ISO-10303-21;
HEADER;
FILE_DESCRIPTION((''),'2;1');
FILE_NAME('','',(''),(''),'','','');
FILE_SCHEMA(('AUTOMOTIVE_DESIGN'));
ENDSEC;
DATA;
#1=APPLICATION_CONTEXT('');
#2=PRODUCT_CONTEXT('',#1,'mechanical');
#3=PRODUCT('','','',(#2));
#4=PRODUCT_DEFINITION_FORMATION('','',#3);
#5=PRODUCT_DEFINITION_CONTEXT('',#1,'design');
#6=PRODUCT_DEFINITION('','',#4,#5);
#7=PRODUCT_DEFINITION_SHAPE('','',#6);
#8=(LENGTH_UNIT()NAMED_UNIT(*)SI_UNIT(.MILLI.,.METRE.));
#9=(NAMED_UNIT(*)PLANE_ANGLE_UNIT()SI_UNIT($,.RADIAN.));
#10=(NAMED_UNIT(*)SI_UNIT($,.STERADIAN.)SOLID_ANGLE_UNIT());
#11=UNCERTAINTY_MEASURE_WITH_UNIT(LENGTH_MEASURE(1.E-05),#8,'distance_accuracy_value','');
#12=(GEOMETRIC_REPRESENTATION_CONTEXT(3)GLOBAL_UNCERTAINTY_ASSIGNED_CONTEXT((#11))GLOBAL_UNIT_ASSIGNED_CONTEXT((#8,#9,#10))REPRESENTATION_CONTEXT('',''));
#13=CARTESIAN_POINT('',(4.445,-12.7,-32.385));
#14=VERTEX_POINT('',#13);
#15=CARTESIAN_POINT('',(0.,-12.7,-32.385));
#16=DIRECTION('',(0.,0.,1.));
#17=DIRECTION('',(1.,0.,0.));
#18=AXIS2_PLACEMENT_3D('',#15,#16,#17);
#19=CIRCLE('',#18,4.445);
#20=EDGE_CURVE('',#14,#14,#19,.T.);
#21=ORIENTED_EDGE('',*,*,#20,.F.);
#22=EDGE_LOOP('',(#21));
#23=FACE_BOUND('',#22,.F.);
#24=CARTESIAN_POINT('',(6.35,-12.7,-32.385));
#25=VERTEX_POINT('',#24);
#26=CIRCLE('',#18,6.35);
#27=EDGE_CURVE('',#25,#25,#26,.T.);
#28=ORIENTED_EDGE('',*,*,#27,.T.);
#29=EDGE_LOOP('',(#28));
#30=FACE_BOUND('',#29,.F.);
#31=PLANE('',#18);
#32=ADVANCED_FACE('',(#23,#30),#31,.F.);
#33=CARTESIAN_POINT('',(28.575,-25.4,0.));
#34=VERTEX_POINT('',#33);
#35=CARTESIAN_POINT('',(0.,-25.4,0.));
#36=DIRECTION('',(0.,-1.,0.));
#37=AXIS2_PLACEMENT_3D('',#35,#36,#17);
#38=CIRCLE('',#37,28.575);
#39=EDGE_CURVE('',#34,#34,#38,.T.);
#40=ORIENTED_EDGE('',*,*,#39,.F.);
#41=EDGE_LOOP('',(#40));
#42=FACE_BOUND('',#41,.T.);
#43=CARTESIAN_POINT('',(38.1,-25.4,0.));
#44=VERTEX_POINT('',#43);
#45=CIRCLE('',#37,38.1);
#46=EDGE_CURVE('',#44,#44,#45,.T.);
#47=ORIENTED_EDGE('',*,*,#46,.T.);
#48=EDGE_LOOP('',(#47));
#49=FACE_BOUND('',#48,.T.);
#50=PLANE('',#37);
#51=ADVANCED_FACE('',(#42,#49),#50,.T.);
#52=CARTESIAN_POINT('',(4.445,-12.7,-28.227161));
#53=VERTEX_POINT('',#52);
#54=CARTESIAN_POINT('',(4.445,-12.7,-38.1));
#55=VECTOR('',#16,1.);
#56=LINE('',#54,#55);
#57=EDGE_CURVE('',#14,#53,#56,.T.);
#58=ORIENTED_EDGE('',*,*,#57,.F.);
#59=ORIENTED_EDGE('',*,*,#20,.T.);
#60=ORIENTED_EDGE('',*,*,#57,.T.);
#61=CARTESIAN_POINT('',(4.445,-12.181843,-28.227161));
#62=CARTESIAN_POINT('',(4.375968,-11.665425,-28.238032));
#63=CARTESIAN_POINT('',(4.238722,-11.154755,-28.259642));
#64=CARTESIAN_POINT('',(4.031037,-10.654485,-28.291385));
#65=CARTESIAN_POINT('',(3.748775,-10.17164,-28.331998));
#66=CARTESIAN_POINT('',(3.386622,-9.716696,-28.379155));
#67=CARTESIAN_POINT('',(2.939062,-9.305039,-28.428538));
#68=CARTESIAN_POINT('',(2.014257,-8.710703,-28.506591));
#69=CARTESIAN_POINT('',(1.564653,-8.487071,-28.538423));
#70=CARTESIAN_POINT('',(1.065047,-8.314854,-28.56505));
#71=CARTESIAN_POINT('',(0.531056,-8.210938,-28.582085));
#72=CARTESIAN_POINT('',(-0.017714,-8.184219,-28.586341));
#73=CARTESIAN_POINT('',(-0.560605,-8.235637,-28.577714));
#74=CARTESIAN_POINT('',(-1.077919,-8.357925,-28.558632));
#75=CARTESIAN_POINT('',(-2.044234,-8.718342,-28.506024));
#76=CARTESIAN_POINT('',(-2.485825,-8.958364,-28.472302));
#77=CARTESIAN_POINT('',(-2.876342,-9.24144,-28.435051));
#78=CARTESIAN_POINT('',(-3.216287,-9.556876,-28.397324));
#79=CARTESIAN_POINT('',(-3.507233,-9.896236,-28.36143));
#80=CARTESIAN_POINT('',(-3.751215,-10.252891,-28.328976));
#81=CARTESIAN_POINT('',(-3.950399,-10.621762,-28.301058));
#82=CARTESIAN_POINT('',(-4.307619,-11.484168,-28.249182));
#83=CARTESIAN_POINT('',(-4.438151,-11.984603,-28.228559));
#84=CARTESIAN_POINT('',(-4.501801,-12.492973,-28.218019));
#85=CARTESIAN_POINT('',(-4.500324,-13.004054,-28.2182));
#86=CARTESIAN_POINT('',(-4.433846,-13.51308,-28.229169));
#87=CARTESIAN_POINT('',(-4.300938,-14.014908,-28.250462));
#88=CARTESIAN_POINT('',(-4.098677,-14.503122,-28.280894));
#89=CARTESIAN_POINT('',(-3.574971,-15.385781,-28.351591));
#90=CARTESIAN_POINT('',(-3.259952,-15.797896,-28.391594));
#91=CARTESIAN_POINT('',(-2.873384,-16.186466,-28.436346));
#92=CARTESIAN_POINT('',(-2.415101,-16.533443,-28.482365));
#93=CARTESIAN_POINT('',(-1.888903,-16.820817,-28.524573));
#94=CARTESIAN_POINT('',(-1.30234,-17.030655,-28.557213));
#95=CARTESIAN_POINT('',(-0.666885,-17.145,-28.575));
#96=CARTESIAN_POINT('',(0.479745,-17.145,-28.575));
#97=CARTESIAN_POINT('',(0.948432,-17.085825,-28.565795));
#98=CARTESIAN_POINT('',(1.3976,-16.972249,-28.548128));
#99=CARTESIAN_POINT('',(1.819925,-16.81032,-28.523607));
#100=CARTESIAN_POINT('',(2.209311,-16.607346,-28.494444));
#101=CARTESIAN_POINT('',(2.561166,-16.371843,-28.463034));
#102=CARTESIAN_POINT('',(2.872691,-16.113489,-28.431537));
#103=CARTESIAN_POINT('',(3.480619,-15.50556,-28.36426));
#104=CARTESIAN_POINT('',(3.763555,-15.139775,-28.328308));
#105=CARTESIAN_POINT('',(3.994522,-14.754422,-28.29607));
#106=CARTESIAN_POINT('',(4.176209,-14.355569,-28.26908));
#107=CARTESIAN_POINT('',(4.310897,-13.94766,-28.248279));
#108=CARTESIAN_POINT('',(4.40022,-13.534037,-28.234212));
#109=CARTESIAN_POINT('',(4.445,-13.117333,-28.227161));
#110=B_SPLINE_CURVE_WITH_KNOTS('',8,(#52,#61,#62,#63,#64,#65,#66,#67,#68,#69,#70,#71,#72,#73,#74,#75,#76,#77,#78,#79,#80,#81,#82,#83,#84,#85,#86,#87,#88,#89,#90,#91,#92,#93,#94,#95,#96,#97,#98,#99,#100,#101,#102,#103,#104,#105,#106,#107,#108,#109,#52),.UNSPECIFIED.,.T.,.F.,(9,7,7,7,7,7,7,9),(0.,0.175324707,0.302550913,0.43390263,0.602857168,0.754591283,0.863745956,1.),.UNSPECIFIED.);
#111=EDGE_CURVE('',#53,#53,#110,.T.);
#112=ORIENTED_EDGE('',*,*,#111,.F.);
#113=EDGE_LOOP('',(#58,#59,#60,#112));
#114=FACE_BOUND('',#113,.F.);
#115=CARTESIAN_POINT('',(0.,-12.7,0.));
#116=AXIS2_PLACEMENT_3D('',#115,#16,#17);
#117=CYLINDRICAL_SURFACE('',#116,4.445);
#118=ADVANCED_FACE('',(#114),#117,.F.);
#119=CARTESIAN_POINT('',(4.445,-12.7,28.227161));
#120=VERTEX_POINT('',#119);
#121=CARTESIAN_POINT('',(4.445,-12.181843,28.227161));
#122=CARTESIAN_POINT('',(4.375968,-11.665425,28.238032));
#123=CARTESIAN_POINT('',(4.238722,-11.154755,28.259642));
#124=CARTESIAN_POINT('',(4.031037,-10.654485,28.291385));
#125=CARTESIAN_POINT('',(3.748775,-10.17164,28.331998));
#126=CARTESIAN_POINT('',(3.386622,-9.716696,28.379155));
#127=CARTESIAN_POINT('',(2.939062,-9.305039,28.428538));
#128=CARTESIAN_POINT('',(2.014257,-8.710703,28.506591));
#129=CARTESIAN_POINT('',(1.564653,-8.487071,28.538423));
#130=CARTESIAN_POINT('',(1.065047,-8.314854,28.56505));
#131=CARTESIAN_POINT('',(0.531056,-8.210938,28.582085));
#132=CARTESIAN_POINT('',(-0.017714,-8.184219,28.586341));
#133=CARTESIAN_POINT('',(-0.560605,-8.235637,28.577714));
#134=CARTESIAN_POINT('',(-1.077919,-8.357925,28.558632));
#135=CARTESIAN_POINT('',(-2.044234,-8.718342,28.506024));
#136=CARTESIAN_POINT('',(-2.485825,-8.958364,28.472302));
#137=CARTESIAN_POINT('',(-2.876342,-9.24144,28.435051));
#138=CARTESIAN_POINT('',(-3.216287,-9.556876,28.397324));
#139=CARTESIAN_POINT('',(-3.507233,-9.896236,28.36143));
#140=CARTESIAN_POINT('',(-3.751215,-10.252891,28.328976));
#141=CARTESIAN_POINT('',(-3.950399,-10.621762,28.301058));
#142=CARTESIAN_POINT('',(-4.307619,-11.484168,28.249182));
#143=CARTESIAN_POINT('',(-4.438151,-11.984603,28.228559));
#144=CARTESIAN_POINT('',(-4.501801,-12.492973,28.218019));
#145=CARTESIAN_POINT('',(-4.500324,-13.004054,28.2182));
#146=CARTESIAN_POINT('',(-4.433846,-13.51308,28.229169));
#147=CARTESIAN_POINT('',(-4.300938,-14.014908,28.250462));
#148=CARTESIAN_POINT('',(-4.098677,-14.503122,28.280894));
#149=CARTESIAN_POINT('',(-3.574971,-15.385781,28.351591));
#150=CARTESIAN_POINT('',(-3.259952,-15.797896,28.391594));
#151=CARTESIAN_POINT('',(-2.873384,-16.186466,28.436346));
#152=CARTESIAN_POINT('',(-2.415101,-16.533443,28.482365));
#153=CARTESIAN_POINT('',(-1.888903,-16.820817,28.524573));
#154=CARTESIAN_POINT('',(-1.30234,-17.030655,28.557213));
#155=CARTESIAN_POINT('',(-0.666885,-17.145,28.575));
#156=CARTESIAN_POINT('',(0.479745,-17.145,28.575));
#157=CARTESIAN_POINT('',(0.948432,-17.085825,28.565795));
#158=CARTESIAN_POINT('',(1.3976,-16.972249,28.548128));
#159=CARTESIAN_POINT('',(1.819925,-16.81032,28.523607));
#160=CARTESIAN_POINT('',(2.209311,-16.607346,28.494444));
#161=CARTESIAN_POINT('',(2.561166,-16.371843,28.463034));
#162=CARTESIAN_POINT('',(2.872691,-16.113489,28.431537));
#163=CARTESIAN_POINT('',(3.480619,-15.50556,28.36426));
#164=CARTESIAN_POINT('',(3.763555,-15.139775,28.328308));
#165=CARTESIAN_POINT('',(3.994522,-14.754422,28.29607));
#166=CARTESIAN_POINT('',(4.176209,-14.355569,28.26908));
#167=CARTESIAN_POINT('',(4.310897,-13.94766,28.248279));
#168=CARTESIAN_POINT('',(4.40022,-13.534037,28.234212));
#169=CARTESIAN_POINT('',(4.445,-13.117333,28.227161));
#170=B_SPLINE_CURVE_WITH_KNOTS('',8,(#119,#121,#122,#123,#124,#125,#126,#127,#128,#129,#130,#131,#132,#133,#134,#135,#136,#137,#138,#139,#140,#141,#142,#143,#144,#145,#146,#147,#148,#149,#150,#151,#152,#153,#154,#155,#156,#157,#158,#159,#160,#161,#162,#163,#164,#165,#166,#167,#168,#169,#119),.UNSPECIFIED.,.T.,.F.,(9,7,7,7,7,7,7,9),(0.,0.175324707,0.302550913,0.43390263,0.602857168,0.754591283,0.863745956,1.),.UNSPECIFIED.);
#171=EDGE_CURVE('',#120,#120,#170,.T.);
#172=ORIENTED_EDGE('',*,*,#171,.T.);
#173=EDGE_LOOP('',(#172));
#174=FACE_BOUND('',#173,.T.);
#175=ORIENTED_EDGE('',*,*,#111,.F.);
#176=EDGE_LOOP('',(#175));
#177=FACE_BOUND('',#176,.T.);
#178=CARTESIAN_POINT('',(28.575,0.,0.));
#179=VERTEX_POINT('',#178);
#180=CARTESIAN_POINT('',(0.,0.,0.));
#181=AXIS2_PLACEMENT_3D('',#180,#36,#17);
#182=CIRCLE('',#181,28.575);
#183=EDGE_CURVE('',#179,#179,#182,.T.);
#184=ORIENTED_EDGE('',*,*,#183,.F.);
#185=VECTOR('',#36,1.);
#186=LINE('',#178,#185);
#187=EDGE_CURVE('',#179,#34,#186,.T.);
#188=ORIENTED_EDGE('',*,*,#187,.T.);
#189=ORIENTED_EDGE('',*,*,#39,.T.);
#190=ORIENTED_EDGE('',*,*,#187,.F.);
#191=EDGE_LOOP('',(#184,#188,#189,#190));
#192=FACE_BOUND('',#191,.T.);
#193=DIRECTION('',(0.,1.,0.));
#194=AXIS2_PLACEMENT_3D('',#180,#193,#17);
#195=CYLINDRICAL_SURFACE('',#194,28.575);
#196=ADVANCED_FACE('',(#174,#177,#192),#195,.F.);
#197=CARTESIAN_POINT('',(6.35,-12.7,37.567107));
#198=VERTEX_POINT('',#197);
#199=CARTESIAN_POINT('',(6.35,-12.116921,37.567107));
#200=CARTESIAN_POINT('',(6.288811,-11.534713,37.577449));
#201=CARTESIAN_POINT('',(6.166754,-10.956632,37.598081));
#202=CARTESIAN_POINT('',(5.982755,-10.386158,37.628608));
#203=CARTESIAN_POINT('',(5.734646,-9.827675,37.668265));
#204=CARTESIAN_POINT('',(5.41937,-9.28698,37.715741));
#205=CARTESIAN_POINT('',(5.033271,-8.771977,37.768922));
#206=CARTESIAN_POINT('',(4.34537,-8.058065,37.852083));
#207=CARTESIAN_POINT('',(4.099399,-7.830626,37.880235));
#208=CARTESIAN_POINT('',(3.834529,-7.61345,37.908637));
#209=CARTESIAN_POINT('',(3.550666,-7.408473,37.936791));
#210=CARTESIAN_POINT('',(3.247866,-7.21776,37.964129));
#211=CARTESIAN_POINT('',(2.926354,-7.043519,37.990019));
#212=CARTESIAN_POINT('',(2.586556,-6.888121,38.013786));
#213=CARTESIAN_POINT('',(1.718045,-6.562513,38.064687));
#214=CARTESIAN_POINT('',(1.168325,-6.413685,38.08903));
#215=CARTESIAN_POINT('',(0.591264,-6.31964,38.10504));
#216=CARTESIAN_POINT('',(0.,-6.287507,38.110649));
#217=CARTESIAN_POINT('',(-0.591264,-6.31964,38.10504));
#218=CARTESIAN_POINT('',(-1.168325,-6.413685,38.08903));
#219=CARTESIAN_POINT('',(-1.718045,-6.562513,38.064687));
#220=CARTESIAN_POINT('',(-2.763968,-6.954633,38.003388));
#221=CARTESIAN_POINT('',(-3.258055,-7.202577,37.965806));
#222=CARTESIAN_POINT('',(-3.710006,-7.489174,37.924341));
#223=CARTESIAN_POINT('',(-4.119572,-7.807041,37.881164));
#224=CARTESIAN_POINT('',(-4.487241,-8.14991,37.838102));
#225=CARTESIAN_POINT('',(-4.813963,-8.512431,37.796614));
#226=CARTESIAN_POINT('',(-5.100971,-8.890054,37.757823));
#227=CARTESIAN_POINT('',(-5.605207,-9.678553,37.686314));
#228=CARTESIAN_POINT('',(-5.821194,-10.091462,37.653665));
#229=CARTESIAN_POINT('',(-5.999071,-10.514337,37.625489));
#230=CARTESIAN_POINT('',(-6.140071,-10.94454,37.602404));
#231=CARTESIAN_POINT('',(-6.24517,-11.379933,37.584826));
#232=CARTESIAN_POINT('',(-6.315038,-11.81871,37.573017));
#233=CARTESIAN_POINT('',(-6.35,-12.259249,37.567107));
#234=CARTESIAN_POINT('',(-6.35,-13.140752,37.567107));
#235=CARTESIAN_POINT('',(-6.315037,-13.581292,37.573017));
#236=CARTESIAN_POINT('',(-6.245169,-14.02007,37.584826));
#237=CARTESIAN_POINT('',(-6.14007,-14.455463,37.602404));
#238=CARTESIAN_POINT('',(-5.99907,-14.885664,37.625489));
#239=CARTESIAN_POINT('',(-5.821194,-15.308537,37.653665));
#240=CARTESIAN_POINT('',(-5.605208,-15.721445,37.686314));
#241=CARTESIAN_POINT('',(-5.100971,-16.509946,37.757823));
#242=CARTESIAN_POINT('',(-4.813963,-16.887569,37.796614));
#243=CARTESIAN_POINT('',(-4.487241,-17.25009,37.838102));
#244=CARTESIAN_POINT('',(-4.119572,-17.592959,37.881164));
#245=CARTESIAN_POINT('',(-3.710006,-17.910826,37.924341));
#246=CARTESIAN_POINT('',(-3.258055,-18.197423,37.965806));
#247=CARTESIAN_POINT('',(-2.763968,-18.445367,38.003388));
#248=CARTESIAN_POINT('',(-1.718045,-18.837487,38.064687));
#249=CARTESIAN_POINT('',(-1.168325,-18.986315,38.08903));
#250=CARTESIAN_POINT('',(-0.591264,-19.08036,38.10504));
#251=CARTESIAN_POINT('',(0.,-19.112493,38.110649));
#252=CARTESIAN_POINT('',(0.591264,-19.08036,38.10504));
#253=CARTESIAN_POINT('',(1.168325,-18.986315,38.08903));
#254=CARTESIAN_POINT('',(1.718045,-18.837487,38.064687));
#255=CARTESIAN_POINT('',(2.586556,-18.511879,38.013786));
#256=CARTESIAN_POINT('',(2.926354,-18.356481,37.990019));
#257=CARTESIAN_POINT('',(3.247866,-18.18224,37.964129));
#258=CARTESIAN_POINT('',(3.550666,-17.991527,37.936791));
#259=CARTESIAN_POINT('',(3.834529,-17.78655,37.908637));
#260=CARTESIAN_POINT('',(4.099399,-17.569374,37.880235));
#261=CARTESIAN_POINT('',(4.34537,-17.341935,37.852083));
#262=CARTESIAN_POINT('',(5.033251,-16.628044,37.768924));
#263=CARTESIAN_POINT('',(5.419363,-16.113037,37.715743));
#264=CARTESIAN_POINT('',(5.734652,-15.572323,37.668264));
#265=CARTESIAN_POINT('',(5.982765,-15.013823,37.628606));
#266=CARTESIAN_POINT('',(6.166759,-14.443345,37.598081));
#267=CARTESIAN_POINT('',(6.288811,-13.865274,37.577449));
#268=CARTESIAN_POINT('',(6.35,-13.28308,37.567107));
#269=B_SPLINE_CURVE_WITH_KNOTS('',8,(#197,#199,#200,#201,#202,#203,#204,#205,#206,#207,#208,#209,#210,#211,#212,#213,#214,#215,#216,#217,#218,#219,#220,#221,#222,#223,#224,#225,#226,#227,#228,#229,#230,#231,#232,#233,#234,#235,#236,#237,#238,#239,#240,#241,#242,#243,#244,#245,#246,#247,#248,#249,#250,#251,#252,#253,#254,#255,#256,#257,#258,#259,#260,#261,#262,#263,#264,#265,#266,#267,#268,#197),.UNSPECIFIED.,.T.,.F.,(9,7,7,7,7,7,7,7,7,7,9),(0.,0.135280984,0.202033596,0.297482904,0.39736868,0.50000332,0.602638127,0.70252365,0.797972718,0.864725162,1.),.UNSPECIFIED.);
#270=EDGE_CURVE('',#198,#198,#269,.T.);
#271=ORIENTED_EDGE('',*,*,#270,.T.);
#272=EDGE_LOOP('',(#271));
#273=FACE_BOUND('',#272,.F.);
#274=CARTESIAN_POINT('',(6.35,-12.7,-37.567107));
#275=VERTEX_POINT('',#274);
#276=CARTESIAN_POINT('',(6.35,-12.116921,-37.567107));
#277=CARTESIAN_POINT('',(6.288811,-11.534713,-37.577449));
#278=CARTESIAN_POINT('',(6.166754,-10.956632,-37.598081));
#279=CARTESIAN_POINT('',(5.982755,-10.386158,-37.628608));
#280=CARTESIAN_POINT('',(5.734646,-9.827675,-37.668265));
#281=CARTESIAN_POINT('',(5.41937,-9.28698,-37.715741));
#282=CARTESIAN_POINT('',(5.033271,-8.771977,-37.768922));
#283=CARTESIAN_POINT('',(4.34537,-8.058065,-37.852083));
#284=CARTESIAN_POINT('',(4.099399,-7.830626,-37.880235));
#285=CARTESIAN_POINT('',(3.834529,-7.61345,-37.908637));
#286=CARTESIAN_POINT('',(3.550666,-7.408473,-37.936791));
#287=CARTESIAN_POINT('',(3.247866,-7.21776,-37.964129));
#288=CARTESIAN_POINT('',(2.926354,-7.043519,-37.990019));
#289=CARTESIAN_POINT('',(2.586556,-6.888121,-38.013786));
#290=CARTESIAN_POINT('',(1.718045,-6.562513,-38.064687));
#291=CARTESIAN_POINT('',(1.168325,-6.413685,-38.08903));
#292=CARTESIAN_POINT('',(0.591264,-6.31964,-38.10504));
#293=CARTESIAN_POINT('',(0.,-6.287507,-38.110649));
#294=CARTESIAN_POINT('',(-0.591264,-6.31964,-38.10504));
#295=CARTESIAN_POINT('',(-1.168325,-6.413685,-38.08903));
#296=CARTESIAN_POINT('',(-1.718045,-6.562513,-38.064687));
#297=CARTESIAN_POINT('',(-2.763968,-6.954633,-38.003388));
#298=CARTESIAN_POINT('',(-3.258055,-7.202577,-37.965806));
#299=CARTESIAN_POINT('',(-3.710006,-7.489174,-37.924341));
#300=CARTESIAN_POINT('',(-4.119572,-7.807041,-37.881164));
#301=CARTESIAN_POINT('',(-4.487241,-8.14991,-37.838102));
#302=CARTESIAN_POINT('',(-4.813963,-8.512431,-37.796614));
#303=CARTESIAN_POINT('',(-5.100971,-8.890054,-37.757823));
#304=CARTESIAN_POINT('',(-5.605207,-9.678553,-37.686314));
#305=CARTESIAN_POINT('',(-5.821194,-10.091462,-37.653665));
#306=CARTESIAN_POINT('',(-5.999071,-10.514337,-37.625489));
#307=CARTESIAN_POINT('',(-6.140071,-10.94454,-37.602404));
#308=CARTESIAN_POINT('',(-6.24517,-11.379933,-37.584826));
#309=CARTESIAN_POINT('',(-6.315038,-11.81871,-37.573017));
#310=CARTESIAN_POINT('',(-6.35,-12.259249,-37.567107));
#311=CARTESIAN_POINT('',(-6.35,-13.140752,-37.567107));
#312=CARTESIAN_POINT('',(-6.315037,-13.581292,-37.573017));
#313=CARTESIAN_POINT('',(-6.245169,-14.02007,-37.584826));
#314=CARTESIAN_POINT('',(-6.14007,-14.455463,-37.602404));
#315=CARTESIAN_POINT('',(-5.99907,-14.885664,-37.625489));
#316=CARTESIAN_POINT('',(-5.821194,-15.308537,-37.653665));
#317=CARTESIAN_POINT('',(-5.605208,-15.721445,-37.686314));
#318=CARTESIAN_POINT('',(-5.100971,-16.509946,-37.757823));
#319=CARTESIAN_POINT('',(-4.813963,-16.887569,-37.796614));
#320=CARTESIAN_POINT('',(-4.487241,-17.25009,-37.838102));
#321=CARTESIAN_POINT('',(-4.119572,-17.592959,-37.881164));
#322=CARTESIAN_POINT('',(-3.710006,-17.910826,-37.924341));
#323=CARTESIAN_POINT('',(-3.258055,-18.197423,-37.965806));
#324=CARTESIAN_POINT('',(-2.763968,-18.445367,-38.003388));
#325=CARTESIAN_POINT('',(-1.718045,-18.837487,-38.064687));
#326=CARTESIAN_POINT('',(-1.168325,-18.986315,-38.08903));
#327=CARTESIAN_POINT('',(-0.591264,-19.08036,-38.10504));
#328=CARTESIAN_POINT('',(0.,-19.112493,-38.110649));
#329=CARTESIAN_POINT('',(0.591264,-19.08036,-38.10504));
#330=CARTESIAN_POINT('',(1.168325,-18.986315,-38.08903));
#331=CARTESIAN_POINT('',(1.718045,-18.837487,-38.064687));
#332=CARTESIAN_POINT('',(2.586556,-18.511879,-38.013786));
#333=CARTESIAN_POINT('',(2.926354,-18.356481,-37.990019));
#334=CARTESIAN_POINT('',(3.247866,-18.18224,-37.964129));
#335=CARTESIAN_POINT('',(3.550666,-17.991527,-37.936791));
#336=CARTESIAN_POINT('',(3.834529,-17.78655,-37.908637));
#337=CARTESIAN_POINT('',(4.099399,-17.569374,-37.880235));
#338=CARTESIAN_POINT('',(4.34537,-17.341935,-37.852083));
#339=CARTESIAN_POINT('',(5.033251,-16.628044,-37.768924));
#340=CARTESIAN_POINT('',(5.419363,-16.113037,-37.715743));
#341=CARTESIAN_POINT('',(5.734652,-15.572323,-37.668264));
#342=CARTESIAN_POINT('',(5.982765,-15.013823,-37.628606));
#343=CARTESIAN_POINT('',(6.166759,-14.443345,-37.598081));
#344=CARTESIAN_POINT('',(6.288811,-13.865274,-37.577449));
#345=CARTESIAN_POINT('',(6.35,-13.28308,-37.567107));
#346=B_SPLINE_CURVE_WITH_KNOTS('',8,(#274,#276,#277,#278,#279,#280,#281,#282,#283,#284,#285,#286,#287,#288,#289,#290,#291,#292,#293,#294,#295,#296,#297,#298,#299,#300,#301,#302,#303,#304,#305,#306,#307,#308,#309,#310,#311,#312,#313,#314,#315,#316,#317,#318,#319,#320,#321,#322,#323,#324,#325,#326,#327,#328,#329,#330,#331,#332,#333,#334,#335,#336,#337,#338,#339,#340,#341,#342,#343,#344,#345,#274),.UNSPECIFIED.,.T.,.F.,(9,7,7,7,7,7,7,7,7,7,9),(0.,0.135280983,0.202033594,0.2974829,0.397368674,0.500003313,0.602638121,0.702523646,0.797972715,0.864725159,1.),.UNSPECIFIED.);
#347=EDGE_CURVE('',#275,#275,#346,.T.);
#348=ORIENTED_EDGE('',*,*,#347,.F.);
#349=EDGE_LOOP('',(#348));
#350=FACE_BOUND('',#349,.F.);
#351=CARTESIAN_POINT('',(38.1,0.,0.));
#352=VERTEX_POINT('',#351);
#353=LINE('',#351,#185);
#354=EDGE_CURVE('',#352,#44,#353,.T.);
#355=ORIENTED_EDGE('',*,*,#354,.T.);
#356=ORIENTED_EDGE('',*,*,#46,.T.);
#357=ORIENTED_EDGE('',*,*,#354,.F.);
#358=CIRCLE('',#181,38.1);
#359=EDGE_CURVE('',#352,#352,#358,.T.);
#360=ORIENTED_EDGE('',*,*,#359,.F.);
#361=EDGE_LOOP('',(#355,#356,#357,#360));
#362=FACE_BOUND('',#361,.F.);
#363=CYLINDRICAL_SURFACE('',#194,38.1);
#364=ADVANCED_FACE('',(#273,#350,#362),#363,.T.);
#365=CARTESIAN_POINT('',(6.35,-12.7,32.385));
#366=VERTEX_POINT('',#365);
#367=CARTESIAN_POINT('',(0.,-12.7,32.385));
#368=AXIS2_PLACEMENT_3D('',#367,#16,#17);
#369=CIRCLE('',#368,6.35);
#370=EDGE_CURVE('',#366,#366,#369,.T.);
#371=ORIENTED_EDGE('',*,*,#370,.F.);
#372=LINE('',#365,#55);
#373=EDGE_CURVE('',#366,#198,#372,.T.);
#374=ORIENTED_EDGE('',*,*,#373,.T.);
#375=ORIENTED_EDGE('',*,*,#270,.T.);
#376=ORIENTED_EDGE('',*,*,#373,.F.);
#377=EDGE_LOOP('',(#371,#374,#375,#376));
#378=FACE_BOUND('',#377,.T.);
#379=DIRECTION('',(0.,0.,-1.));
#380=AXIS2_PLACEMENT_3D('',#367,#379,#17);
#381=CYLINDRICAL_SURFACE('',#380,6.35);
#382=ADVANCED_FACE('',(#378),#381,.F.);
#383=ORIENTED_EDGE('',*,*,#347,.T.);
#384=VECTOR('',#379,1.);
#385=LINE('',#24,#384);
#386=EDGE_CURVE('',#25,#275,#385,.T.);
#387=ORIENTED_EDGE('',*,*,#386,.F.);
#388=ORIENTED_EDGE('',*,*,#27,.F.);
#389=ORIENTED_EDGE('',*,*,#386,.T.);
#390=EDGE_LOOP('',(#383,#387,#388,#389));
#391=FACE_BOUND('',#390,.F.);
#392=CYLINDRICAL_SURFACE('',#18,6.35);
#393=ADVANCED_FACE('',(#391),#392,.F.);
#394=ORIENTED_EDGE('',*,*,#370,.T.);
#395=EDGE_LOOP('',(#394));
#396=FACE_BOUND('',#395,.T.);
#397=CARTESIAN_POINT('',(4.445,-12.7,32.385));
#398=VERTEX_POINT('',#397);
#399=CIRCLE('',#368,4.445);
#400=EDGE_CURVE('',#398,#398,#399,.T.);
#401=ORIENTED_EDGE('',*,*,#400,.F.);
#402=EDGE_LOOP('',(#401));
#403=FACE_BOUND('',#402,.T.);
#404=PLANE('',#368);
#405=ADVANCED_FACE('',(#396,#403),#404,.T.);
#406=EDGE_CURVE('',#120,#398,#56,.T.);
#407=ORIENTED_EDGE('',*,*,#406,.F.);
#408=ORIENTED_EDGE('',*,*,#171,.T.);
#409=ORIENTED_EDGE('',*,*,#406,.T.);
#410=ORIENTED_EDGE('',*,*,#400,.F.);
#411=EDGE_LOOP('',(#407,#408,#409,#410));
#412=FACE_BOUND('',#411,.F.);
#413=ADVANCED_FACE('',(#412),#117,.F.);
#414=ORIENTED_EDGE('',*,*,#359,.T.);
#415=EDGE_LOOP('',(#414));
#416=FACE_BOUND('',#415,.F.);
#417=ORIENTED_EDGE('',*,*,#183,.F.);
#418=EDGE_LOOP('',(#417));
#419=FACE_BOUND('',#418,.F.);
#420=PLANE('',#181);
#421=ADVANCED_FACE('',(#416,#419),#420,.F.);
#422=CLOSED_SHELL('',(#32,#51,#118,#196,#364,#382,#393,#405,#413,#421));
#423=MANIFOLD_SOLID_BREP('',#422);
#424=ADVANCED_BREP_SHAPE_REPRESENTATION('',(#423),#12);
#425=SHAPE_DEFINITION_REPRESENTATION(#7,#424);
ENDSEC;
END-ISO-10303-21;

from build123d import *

# Parameters (mm, degrees)
F0_R     = 38.1
F0_R_2   = 28.575
F1_DEPTH = 25.4
F2_R     = 4.445
F3_DEPTH = 38.1
F5_R     = 6.35
F5_R_2   = 4.445
F6_DEPTH = 25.4
F8_R     = 6.35
F8_R_2   = 4.445
F9_DEPTH = 25.4


with BuildPart() as f1:
    # F0 (on Front) → F1 (new body)
    with BuildSketch(Plane.XZ):
        Circle(F0_R)
        Circle(F0_R_2, mode=Mode.SUBTRACT)
    extrude(amount=F1_DEPTH)

    # F2 (on Top) → F3 (cut, symmetric)
    with BuildSketch(Plane.XY):
        with Locations((0, -12.7)):
            Circle(F2_R)
    extrude(amount=F3_DEPTH, both=True, mode=Mode.SUBTRACT)

    # F5 (on offset) → F6 (cut)
    with BuildSketch(Plane.XY.offset(32.385)):
        with Locations((0, -12.7)):
            Circle(F5_R)
        with Locations((0, -12.7)):
            Circle(F5_R_2, mode=Mode.SUBTRACT)
    extrude(amount=F6_DEPTH, mode=Mode.SUBTRACT)

    # F8 (on offset) → F9 (cut)
    with BuildSketch(Plane.XY.offset(-32.385)):
        with Locations((0, -12.7)):
            Circle(F8_R)
        with Locations((0, -12.7)):
            Circle(F8_R_2, mode=Mode.SUBTRACT)
    extrude(amount=-F9_DEPTH, mode=Mode.SUBTRACT)


solid = f1.part
